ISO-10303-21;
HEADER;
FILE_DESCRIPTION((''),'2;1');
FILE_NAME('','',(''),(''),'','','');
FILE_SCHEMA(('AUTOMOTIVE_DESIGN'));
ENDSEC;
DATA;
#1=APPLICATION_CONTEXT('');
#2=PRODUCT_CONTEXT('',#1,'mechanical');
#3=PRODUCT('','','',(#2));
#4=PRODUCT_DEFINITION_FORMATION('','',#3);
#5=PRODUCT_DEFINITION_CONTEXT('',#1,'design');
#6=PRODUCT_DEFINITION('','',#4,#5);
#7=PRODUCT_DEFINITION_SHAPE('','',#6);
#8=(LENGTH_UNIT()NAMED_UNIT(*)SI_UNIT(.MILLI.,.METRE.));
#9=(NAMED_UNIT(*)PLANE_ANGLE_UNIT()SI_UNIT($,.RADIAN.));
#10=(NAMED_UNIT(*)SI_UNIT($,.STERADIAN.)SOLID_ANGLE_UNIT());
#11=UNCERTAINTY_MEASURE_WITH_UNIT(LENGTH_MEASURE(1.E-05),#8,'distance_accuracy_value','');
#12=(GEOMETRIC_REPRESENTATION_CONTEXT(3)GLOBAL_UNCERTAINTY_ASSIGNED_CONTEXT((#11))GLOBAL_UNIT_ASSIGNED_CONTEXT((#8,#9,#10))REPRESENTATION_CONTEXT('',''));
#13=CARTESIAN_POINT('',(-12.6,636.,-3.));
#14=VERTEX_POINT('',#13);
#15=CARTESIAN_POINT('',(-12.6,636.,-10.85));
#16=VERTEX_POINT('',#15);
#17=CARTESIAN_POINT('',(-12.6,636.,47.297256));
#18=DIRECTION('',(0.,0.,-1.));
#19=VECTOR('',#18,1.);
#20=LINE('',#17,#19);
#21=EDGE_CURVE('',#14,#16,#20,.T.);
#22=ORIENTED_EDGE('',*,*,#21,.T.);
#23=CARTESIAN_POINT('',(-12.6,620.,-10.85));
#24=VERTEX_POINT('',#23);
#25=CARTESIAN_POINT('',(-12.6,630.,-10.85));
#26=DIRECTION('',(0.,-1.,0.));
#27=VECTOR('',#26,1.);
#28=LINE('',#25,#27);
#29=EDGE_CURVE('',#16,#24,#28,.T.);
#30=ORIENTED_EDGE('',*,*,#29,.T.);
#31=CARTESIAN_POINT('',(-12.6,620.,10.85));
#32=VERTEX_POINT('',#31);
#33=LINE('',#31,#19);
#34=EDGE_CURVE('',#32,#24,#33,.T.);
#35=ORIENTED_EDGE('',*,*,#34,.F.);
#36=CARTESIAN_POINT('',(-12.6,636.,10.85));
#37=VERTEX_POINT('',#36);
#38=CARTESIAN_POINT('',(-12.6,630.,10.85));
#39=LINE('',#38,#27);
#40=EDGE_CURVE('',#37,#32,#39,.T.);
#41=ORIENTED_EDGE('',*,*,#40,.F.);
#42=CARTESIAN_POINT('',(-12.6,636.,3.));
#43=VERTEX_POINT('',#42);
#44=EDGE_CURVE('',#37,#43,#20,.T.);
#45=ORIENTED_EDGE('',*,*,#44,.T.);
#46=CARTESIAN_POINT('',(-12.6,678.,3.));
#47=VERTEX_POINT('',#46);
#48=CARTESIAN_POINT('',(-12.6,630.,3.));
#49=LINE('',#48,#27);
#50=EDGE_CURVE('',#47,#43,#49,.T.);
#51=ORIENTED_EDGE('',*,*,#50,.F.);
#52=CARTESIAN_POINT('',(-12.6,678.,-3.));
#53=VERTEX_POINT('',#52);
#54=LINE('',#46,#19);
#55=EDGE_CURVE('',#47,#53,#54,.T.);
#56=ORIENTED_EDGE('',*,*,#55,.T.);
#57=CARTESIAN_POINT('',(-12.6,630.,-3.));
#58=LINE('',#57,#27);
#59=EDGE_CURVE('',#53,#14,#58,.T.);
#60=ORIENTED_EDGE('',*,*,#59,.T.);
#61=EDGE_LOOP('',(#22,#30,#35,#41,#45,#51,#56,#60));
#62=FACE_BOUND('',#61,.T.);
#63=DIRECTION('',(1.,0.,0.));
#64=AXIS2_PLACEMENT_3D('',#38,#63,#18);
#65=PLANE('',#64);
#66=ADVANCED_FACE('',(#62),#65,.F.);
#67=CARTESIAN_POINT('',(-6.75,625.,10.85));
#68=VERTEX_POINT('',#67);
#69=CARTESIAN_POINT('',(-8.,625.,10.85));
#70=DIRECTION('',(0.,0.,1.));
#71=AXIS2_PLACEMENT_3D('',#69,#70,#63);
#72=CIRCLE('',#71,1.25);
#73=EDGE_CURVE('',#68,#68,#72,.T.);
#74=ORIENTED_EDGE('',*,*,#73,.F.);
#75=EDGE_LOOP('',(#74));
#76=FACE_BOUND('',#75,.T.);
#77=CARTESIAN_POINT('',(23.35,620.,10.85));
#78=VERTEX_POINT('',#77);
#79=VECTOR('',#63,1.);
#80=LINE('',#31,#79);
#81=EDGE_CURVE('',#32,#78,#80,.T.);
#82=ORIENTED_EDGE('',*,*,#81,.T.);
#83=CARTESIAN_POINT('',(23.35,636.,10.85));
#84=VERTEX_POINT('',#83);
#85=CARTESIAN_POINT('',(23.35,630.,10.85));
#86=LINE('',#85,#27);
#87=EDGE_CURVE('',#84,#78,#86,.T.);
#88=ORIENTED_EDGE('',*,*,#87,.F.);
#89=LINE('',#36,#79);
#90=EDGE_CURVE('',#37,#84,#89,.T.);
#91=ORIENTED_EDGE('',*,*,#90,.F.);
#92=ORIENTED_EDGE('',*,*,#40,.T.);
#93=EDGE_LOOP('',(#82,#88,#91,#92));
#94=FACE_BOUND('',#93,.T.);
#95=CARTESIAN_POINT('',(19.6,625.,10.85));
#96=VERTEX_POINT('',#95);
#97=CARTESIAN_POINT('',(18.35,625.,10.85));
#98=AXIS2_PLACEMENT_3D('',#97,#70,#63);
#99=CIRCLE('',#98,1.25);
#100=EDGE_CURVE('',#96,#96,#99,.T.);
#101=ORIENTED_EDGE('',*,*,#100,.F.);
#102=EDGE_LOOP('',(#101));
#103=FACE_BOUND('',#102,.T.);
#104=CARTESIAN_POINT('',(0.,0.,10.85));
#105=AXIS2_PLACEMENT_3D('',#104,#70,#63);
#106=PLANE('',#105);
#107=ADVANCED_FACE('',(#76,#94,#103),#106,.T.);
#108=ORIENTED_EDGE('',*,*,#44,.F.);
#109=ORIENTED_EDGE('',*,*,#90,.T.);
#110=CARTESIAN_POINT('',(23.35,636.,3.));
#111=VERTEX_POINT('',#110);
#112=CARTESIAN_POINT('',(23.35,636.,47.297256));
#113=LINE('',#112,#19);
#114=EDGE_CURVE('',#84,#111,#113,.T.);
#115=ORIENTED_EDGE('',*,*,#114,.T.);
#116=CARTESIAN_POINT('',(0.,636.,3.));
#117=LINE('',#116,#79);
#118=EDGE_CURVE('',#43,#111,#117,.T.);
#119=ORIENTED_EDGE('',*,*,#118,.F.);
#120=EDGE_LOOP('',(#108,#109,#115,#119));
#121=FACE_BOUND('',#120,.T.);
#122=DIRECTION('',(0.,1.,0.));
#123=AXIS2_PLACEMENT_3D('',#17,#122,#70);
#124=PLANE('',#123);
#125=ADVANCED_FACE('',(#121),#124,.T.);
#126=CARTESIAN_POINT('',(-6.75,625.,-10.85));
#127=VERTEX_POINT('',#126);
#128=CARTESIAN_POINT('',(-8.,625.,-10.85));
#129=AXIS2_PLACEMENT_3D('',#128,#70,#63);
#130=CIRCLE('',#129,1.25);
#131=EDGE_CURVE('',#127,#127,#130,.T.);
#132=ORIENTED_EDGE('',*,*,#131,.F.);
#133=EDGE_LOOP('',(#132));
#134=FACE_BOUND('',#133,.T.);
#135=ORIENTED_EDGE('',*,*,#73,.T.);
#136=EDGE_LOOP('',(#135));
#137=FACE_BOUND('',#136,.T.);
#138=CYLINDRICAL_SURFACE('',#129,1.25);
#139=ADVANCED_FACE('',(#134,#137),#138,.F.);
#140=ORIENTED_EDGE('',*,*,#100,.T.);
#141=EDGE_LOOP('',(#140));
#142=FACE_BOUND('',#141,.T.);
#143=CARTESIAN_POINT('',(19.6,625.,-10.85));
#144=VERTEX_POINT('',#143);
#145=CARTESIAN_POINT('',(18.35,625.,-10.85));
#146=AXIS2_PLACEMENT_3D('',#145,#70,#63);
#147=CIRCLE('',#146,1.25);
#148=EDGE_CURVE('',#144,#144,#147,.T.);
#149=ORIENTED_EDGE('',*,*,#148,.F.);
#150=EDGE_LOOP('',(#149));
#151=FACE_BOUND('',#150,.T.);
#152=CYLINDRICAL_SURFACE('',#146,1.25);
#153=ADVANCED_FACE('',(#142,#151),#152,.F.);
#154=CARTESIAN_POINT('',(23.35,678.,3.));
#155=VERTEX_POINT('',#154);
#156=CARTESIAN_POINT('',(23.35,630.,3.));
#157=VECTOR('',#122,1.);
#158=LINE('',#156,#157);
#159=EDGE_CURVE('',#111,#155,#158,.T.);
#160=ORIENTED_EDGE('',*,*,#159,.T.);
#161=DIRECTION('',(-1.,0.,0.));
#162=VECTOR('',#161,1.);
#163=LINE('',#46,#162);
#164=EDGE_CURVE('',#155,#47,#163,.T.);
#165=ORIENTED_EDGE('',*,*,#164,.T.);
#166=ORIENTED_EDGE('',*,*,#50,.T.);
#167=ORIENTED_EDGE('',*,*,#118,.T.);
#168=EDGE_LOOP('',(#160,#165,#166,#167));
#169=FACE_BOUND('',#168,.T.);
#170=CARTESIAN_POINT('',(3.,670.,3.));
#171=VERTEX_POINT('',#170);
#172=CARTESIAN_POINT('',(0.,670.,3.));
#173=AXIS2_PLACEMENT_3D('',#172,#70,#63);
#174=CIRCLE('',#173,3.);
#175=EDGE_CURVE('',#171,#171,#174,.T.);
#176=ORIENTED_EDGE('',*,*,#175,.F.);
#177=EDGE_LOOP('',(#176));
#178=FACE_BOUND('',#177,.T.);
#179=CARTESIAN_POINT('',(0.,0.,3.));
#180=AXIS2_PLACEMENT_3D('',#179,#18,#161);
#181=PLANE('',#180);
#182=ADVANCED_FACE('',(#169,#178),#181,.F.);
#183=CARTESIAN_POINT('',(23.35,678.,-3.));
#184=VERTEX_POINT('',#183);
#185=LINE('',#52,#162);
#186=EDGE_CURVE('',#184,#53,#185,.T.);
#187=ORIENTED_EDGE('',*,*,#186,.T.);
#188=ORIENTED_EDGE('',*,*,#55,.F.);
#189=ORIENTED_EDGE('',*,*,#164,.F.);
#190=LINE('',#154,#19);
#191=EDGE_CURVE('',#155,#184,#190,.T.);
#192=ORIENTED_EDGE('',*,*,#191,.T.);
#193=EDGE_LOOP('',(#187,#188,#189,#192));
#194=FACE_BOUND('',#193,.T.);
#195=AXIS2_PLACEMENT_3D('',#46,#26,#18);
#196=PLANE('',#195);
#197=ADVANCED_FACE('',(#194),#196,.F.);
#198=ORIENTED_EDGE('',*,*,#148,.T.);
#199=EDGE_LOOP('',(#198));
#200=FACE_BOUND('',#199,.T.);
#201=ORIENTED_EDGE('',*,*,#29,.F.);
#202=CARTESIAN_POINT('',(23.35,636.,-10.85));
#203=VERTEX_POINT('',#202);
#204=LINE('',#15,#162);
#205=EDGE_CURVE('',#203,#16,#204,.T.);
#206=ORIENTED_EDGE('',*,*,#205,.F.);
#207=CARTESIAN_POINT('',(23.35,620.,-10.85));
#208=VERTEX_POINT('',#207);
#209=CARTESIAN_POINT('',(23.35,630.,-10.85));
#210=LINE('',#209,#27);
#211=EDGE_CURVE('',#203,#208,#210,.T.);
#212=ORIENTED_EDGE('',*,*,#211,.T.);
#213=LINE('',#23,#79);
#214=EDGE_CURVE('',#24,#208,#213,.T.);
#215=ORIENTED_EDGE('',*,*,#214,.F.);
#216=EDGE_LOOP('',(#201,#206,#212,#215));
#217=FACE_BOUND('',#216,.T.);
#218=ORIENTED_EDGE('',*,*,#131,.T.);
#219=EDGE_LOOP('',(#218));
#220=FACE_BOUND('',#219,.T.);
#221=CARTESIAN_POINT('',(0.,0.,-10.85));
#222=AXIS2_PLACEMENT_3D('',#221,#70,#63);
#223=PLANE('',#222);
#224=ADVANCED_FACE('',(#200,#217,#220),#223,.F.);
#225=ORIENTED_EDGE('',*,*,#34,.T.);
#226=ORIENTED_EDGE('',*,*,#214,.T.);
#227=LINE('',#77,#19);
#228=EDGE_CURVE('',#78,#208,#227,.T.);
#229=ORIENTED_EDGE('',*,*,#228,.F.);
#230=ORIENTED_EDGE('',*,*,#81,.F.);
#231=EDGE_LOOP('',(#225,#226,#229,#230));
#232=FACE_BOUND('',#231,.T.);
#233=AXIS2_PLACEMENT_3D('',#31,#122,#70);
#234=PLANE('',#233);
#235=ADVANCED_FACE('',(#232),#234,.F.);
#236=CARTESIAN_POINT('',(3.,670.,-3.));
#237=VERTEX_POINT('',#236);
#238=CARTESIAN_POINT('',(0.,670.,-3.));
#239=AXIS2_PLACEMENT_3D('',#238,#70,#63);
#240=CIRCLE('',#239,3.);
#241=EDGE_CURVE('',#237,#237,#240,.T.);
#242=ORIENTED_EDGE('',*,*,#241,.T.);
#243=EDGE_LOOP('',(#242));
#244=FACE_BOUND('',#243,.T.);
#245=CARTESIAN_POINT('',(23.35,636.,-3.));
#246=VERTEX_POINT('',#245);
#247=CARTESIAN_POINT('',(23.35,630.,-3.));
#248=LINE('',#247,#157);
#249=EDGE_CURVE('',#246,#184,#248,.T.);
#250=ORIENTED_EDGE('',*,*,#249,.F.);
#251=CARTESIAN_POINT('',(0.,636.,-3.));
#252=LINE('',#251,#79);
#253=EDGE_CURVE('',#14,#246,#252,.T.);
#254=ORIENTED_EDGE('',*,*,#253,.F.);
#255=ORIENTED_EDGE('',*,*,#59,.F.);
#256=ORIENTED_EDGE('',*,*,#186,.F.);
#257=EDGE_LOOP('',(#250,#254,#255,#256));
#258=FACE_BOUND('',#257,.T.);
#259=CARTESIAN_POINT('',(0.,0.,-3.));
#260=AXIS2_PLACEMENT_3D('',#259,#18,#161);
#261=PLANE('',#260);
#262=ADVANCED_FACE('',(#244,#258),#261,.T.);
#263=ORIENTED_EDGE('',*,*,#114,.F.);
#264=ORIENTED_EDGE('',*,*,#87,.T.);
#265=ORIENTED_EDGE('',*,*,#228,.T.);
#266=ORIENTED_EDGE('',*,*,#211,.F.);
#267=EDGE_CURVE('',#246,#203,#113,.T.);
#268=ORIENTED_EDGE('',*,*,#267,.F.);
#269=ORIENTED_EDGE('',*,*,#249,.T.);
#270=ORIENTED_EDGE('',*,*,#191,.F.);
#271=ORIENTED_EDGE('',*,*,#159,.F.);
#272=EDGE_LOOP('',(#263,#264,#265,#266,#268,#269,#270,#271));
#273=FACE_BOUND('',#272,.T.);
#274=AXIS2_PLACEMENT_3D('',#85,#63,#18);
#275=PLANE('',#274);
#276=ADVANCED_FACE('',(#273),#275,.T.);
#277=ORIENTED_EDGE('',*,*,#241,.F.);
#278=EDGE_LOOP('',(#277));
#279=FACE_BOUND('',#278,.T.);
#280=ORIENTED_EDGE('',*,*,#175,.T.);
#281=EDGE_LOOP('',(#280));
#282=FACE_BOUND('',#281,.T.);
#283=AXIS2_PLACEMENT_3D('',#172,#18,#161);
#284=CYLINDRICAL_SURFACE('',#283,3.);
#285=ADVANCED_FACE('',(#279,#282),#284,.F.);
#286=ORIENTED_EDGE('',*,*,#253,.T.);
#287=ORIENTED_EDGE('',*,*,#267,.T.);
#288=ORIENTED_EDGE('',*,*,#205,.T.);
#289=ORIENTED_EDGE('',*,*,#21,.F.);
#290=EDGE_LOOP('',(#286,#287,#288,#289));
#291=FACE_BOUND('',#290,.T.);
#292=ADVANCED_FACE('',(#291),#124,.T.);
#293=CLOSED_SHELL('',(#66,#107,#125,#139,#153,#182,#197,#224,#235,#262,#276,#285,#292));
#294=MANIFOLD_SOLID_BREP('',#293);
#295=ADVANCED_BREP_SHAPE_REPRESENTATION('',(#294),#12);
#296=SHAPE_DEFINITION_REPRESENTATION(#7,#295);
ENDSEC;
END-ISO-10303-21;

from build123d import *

# Parameters (mm, degrees)
SIDE_W                                      = 35.95
SIDE_H                                      = 10
AUFSATZ_LINEAR_AUSTRAGEN1_DEPTH             = 10.85
AUFSATZ_LINEAR_AUSTRAGEN1_DEPTH_BACK        = 10.85
SKIZZE5_R                                   = 1.25
SCHNITT_LINEAR_AUSTRAGEN1_DEPTH             = 11.85
SCHNITT_LINEAR_AUSTRAGEN1_DEPTH_BACK        = 11.85
TOPEXTENSION_W                              = 35.95
TOPEXTENSION_H                              = 48
TOPEXTENSION_R                              = 3
AUFSATZ_LINEAR_AUSTRAGEN2_DEPTH             = 3
AUFSATZ_LINEAR_AUSTRAGEN2_DEPTH_BACK        = 3
AUFSATZ_LINEAR_AUSTRAGEN3_REACH             = 12.85
SKIZZE8_W                                   = 35.95
SKIZZE8_H                                   = 6
AUFSATZ_LINEAR_AUSTRAGEN3_DIRECTION_2_REACH = 12.85


with BuildPart() as part:
    # Side → Aufsatz-Linear austragen1 (new body, two sides)
    with BuildSketch(Plane.XY) as aufsatz_linear_austragen1_sk:
        with Locations((5.375, 625)):
            Rectangle(SIDE_W, SIDE_H)
    extrude(amount=AUFSATZ_LINEAR_AUSTRAGEN1_DEPTH)
    extrude(aufsatz_linear_austragen1_sk.sketch, amount=-AUFSATZ_LINEAR_AUSTRAGEN1_DEPTH_BACK)

    # Skizze5 → Schnitt-Linear austragen1 (cut, two sides)
    with BuildSketch(Plane.XY) as schnitt_linear_austragen1_sk:
        with Locations((-8, 625)):
            Circle(SKIZZE5_R)
        with Locations((18.35, 625)):
            Circle(SKIZZE5_R)
    extrude(amount=SCHNITT_LINEAR_AUSTRAGEN1_DEPTH, mode=Mode.SUBTRACT)
    extrude(schnitt_linear_austragen1_sk.sketch, amount=-SCHNITT_LINEAR_AUSTRAGEN1_DEPTH_BACK, mode=Mode.SUBTRACT)

    # TopExtension → Aufsatz-Linear austragen2 (add, two sides)
    with BuildSketch(Plane.XY) as aufsatz_linear_austragen2_sk:
        with Locations((5.375, 654)):
            Rectangle(TOPEXTENSION_W, TOPEXTENSION_H)
        with Locations((0, 670)):
            Circle(TOPEXTENSION_R, mode=Mode.SUBTRACT)
    extrude(amount=AUFSATZ_LINEAR_AUSTRAGEN2_DEPTH)
    extrude(aufsatz_linear_austragen2_sk.sketch, amount=-AUFSATZ_LINEAR_AUSTRAGEN2_DEPTH_BACK)

    # Aufsatz-Linear austragen3: up to this face of the body (flat: up to its plane)
    aufsatz_linear_austragen3_end = Plane(part.part.faces().sort_by_distance((5.38061508, 625, 10.85))[0])
    # Skizze8 → Aufsatz-Linear austragen3 (add, up to the picked face)
    with BuildSketch(Plane.XY, mode=Mode.PRIVATE) as aufsatz_linear_austragen3_sk1:
        with Locations((5.375, 633)):
            Rectangle(SKIZZE8_W, SKIZZE8_H)
    aufsatz_linear_austragen3_tool1 = split(extrude(aufsatz_linear_austragen3_sk1.sketch, amount=AUFSATZ_LINEAR_AUSTRAGEN3_REACH, mode=Mode.PRIVATE), bisect_by=aufsatz_linear_austragen3_end, keep=Keep.BOTH, mode=Mode.PRIVATE)
    add(aufsatz_linear_austragen3_tool1.solids().sort_by_distance((5.375, 633, 0))[0])

    # Aufsatz-Linear austragen3 direction 2: up to this face of the body (flat: up to its plane)
    aufsatz_linear_austragen3_direction_2_end = Plane(part.part.faces().sort_by_distance((5.38061508, 625, -10.85))[0])
    # Skizze8 → Aufsatz-Linear austragen3 direction 2 (add, up to the picked face)
    with BuildSketch(Plane.XY, mode=Mode.PRIVATE) as aufsatz_linear_austragen3_direction_2_sk1:
        with Locations((5.375, 633)):
            Rectangle(SKIZZE8_W, SKIZZE8_H)
    aufsatz_linear_austragen3_direction_2_tool1 = split(extrude(aufsatz_linear_austragen3_direction_2_sk1.sketch, amount=-AUFSATZ_LINEAR_AUSTRAGEN3_DIRECTION_2_REACH, mode=Mode.PRIVATE), bisect_by=aufsatz_linear_austragen3_direction_2_end, keep=Keep.BOTH, mode=Mode.PRIVATE)
    add(aufsatz_linear_austragen3_direction_2_tool1.solids().sort_by_distance((5.375, 633, 0))[0])


solid = part.part
